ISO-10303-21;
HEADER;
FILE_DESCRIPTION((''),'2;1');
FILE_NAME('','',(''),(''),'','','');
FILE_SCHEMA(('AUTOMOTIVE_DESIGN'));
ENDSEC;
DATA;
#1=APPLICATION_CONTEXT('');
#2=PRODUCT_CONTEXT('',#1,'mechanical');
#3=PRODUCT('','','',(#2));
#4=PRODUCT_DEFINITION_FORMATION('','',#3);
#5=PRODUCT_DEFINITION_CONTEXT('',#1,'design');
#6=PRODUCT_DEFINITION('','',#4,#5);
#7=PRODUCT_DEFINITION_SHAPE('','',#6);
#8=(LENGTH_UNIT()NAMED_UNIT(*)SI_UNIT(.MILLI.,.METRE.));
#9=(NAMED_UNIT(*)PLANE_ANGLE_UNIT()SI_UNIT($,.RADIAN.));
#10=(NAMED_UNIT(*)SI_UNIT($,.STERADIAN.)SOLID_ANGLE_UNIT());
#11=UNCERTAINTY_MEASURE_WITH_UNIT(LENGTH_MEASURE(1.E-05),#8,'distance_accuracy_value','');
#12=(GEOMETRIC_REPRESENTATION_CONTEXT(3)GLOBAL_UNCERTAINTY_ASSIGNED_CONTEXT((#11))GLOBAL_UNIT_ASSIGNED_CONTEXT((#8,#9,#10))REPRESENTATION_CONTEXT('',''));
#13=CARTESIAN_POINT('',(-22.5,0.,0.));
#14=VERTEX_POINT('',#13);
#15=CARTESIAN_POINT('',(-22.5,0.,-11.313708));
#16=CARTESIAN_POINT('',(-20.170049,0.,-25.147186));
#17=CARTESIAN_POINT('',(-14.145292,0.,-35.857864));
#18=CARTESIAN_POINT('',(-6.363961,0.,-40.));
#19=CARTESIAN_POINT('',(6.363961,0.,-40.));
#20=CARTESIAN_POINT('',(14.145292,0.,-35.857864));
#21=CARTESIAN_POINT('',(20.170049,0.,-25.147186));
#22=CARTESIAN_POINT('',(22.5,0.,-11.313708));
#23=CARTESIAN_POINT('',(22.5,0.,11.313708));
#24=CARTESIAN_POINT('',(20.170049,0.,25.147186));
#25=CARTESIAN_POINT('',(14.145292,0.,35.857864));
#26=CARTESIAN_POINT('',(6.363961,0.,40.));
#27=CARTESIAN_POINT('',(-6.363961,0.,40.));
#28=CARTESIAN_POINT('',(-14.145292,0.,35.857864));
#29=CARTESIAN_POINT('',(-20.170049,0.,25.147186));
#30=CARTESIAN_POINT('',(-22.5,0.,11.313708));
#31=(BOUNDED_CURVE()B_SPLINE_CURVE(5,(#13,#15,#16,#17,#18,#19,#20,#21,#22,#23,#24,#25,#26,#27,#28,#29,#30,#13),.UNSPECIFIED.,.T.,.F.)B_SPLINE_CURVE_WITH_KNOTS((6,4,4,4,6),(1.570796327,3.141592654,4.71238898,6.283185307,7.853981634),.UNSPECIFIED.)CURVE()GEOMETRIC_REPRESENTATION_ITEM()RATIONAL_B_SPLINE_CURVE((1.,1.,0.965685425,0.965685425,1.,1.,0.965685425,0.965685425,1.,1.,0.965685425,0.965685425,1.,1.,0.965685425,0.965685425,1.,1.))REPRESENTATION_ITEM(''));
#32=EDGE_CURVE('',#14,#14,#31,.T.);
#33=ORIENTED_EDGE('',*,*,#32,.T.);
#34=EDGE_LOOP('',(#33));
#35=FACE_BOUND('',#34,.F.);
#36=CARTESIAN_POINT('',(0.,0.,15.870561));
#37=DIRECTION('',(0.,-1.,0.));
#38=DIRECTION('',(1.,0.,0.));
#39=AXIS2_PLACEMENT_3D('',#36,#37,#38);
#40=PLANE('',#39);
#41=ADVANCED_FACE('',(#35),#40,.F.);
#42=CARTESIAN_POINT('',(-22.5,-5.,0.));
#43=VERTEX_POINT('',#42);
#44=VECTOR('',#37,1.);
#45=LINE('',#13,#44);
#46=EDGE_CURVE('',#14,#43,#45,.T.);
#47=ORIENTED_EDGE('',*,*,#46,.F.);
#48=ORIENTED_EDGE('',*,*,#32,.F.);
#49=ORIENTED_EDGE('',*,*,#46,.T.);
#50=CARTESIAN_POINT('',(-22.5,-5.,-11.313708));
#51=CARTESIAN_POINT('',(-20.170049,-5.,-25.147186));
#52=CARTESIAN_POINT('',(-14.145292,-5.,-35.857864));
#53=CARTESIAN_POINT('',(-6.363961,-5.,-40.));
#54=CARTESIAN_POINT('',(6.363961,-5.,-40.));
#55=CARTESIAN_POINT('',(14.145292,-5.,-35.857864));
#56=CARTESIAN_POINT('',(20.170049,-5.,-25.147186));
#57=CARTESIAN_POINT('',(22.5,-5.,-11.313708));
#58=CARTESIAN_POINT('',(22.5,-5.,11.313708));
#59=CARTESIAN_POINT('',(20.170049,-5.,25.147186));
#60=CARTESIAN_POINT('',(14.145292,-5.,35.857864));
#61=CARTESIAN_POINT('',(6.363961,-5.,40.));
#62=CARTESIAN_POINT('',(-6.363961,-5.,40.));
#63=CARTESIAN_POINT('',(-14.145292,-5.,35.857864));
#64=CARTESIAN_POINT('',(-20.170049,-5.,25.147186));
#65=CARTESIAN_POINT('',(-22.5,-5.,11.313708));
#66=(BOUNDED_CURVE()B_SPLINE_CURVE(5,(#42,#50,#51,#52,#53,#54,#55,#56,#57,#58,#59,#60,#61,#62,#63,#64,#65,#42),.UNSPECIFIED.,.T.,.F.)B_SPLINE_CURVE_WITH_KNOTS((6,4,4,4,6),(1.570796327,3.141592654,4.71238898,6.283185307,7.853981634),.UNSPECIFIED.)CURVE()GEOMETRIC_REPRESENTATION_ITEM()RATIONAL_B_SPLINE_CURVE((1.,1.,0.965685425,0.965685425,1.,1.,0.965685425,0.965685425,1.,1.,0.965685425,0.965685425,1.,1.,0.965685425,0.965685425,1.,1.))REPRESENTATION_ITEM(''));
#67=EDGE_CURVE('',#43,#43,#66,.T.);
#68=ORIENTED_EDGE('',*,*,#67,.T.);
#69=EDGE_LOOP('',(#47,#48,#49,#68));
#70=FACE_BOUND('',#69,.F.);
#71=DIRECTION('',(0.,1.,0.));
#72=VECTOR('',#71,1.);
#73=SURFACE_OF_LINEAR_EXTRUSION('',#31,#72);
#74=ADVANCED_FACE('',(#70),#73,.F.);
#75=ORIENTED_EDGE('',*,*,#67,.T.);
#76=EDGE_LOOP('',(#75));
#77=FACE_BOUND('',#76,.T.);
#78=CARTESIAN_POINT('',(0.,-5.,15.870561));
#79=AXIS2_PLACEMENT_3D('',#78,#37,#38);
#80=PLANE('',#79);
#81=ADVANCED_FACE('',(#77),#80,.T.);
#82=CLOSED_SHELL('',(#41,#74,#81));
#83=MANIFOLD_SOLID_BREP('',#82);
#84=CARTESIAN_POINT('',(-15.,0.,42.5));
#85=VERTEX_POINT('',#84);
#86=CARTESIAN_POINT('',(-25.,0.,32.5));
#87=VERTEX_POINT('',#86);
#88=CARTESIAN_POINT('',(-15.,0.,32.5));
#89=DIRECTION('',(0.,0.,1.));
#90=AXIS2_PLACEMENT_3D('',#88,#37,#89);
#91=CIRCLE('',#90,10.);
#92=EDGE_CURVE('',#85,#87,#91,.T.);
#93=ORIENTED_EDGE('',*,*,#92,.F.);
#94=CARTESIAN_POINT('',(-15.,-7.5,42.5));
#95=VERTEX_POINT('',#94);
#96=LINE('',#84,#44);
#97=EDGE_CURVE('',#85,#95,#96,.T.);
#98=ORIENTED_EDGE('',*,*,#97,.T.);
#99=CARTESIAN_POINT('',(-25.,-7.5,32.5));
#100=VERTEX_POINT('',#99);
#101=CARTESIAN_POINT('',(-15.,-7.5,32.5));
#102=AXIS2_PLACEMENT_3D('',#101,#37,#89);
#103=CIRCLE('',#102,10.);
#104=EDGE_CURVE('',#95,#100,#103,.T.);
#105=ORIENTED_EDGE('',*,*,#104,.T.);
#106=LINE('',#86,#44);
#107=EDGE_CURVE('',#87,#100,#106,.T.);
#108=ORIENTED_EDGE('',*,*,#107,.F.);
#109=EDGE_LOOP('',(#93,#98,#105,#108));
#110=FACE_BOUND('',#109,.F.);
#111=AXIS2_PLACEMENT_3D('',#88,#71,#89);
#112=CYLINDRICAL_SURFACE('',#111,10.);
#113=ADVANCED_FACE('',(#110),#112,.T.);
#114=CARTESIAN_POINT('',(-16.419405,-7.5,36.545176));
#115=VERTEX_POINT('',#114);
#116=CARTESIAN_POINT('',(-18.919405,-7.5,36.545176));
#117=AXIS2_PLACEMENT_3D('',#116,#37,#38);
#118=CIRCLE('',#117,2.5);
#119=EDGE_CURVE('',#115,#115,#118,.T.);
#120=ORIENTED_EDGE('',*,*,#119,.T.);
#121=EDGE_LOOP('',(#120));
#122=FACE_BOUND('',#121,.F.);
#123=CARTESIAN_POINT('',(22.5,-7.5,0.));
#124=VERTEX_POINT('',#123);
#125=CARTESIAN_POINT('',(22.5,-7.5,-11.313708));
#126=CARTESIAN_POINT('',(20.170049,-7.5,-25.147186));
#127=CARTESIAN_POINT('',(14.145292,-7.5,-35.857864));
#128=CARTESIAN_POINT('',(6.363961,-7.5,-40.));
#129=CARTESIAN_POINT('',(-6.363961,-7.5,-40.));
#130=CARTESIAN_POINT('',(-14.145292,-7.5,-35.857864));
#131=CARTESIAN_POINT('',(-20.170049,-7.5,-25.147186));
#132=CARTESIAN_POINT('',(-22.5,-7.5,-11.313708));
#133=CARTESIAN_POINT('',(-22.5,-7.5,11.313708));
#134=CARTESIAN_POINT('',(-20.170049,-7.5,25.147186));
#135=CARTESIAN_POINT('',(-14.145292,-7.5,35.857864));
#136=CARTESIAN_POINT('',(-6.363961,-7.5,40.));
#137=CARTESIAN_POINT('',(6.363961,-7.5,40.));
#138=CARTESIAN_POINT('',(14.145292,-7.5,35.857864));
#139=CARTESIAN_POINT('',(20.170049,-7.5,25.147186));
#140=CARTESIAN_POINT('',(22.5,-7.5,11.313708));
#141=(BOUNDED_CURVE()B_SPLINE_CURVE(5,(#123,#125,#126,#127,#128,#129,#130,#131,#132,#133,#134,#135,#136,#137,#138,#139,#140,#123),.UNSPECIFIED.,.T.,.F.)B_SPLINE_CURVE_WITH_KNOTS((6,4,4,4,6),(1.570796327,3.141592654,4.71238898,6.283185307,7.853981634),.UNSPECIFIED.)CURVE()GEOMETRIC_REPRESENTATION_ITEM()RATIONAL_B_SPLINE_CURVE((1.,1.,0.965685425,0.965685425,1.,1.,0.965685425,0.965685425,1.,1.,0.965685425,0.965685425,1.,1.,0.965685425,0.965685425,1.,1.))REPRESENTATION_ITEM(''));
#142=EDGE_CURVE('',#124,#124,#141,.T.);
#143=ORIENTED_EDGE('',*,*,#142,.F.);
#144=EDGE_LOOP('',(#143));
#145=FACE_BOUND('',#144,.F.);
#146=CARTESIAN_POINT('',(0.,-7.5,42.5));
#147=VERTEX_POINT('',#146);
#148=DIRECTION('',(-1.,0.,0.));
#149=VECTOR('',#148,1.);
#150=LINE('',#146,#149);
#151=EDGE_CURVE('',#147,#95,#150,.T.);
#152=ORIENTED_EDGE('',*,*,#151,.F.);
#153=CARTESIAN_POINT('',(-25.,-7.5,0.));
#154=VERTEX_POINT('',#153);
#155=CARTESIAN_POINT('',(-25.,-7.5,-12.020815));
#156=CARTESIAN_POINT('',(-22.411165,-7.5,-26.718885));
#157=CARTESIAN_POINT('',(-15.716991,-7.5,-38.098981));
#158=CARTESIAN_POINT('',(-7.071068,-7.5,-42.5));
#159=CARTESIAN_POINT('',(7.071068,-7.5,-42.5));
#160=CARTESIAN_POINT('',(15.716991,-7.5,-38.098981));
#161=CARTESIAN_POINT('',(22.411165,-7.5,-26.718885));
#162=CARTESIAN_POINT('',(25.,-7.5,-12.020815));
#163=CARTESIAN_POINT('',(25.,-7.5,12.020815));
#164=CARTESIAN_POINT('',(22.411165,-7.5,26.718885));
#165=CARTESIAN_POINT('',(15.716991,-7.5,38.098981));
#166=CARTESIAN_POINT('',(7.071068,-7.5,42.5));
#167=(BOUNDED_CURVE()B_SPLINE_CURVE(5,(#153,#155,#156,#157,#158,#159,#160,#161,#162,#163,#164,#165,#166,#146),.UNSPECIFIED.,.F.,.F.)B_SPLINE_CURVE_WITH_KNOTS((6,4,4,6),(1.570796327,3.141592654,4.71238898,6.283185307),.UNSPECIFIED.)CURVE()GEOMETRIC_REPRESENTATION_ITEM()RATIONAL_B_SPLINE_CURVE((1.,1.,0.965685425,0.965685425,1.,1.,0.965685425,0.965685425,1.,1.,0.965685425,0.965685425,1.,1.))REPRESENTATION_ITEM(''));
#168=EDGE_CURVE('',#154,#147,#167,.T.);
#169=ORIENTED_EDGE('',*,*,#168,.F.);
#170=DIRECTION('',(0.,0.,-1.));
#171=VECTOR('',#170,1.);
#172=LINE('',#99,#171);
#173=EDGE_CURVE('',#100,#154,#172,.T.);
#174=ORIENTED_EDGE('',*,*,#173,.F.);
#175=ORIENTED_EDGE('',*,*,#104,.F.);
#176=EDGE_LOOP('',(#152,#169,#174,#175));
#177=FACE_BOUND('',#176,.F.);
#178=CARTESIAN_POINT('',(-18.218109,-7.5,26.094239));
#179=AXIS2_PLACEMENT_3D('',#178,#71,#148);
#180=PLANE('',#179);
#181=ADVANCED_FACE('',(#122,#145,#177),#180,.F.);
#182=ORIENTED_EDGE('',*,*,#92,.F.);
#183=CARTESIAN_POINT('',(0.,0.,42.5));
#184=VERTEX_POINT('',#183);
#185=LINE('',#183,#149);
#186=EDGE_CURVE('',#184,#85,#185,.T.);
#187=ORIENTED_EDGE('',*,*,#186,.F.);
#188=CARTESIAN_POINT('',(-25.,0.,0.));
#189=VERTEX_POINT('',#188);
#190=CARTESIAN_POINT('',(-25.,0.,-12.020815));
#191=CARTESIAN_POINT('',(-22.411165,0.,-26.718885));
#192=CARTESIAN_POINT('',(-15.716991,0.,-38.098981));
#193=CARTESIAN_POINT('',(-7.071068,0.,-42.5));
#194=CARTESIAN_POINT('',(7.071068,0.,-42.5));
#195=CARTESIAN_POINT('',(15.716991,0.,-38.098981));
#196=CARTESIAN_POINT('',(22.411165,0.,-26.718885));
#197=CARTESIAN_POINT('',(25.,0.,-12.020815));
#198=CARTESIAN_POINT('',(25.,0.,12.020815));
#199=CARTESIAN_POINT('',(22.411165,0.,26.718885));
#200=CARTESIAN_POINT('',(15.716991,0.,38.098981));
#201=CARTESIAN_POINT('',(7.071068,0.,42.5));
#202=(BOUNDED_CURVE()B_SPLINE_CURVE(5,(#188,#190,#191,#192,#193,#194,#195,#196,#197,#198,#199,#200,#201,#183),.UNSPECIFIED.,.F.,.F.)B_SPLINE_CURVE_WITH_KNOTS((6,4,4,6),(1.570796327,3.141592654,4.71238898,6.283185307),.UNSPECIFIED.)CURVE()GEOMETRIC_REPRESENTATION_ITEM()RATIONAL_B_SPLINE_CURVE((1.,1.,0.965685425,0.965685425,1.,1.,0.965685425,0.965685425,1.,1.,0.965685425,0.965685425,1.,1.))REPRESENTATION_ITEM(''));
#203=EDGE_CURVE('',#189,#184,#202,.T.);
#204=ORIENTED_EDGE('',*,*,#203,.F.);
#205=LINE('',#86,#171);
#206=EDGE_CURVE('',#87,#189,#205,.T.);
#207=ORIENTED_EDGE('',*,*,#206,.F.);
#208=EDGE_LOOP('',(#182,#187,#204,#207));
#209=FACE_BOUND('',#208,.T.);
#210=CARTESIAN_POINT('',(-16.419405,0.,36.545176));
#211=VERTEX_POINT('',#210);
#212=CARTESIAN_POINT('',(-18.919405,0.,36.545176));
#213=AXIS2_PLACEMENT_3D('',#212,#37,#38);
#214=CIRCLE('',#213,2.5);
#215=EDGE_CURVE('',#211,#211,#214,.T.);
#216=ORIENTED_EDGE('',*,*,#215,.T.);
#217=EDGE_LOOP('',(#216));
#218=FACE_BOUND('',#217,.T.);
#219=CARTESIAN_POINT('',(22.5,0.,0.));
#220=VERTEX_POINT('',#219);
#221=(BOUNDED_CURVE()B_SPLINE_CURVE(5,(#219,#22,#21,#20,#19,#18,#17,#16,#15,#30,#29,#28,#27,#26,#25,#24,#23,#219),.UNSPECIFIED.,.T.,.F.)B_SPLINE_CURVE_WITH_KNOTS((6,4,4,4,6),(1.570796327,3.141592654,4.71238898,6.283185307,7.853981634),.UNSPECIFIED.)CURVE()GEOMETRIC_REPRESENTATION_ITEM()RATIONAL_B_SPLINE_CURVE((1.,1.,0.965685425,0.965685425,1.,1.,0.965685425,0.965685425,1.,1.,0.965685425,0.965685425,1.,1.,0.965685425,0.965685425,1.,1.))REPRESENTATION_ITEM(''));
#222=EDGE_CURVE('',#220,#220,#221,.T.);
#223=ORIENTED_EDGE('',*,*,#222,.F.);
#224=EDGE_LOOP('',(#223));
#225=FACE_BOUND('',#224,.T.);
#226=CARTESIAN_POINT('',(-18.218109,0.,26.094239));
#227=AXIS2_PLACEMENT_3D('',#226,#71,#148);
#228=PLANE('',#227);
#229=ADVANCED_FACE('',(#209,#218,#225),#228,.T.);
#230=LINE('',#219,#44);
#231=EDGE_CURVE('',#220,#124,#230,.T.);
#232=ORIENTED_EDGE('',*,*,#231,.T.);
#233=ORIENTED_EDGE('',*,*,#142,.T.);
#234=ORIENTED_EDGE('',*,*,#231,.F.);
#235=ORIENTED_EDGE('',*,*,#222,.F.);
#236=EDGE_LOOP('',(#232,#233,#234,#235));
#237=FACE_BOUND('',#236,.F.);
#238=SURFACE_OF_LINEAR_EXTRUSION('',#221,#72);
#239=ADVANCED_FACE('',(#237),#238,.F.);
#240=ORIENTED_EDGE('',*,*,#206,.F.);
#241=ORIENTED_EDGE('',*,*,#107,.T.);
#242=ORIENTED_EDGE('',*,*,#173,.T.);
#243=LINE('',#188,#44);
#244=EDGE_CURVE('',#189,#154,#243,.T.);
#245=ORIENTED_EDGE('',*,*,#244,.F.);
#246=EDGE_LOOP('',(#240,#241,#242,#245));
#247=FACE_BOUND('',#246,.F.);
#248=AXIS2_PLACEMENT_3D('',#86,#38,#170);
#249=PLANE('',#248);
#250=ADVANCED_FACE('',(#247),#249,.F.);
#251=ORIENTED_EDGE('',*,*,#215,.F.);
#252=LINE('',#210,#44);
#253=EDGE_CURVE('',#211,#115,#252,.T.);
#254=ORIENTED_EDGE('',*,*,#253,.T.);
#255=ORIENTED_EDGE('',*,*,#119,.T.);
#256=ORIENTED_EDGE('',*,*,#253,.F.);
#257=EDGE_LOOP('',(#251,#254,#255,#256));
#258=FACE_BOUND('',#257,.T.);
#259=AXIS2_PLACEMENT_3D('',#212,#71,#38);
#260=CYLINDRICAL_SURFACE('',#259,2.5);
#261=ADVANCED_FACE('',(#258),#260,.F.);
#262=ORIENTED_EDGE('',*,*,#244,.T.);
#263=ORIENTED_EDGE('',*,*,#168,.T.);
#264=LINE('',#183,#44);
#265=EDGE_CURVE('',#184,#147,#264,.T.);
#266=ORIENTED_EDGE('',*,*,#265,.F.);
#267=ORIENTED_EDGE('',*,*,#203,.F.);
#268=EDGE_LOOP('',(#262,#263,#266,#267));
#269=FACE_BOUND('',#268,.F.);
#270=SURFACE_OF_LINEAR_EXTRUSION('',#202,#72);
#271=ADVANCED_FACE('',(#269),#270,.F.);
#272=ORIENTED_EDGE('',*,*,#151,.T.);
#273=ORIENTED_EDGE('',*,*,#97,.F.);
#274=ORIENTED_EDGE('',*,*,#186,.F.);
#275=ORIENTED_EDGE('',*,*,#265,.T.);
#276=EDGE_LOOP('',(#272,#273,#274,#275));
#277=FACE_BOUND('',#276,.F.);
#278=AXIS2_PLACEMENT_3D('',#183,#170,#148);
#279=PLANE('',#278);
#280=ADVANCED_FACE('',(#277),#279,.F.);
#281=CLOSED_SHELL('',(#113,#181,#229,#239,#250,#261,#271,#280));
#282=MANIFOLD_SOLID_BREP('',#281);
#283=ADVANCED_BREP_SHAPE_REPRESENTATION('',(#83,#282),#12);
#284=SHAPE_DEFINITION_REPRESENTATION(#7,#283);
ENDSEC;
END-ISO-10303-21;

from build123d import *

# Parameters (mm, degrees)
F1_DEPTH = 5
F0_R     = 2.5
F2_DEPTH = 7.5


with BuildPart() as f1:
    # F0 (on Front) → F1 (new body)
    with BuildSketch(Plane.XZ):
        with BuildLine():
            add(Edge.make_bspline(
                [(0, 40), (-22.5, 40), (-22.5, 0)],
                knots=[0, 0, 0, 1.5707963268, 1.5707963268, 1.5707963268], degree=2, weights=[1, 0.7071067812, 1]))
            Line((-22.5, 0), (22.5, 0))
            add(Edge.make_bspline(
                [(22.5, 0), (22.5, 40), (0, 40)],
                knots=[4.7123889804, 4.7123889804, 4.7123889804, 6.2831853072, 6.2831853072, 6.2831853072], degree=2, weights=[1, 0.7071067812, 1]))
        make_face()
        with BuildLine():
            Line((22.5, 0), (-22.5, 0))
            add(Edge.make_bspline(
                [(-22.5, 0), (-22.5, -40), (0, -40), (22.5, -40), (22.5, 0)],
                knots=[1.5707963268, 1.5707963268, 1.5707963268, 3.1415926536, 3.1415926536, 4.7123889804, 4.7123889804, 4.7123889804], degree=2, weights=[1, 0.7071067812, 1, 0.7071067812, 1]))
        make_face()
    extrude(amount=F1_DEPTH)


with BuildPart() as f2:
    # F0 (on Front) → F2 (new body)
    with BuildSketch(Plane.XZ):
        with BuildLine():
            add(Edge.make_bspline(
                [(0, 42.5), (-25, 42.5), (-25, 0)],
                knots=[0, 0, 0, 1.5707963268, 1.5707963268, 1.5707963268], degree=2, weights=[1, 0.7071067812, 1]))
            Line((0, 42.5), (-15, 42.5))
            ThreePointArc((-15, 42.5), (-22.0710678119, 39.5710678119), (-25, 32.5))
            Line((-25, 32.5), (-25, 0))
        make_face()
        with Locations((-18.9194045961, 36.545176059)):
            Circle(F0_R, mode=Mode.SUBTRACT)
        with BuildLine():
            Line((-22.5, 0), (-25, 0))
            add(Edge.make_bspline(
                [(-25, 0), (-25, -42.5), (0, -42.5), (25, -42.5), (25, 0)],
                knots=[1.5707963268, 1.5707963268, 1.5707963268, 3.1415926536, 3.1415926536, 4.7123889804, 4.7123889804, 4.7123889804], degree=2, weights=[1, 0.7071067812, 1, 0.7071067812, 1]))
            Line((25, 0), (22.5, 0))
            add(Edge.make_bspline(
                [(-22.5, 0), (-22.5, -40), (0, -40), (22.5, -40), (22.5, 0)],
                knots=[1.5707963268, 1.5707963268, 1.5707963268, 3.1415926536, 3.1415926536, 4.7123889804, 4.7123889804, 4.7123889804], degree=2, weights=[1, 0.7071067812, 1, 0.7071067812, 1]))
        make_face()
        with BuildLine():
            add(Edge.make_bspline(
                [(25, 0), (25, 42.5), (0, 42.5)],
                knots=[4.7123889804, 4.7123889804, 4.7123889804, 6.2831853072, 6.2831853072, 6.2831853072], degree=2, weights=[1, 0.7071067812, 1]))
            add(Edge.make_bspline(
                [(0, 42.5), (-25, 42.5), (-25, 0)],
                knots=[0, 0, 0, 1.5707963268, 1.5707963268, 1.5707963268], degree=2, weights=[1, 0.7071067812, 1]))
            Line((-25, 0), (-22.5, 0))
            add(Edge.make_bspline(
                [(0, 40), (-22.5, 40), (-22.5, 0)],
                knots=[0, 0, 0, 1.5707963268, 1.5707963268, 1.5707963268], degree=2, weights=[1, 0.7071067812, 1]))
            add(Edge.make_bspline(
                [(22.5, 0), (22.5, 40), (0, 40)],
                knots=[4.7123889804, 4.7123889804, 4.7123889804, 6.2831853072, 6.2831853072, 6.2831853072], degree=2, weights=[1, 0.7071067812, 1]))
            Line((22.5, 0), (25, 0))
        make_face()
    extrude(amount=F2_DEPTH)


solid = Compound([f1.part, f2.part])
